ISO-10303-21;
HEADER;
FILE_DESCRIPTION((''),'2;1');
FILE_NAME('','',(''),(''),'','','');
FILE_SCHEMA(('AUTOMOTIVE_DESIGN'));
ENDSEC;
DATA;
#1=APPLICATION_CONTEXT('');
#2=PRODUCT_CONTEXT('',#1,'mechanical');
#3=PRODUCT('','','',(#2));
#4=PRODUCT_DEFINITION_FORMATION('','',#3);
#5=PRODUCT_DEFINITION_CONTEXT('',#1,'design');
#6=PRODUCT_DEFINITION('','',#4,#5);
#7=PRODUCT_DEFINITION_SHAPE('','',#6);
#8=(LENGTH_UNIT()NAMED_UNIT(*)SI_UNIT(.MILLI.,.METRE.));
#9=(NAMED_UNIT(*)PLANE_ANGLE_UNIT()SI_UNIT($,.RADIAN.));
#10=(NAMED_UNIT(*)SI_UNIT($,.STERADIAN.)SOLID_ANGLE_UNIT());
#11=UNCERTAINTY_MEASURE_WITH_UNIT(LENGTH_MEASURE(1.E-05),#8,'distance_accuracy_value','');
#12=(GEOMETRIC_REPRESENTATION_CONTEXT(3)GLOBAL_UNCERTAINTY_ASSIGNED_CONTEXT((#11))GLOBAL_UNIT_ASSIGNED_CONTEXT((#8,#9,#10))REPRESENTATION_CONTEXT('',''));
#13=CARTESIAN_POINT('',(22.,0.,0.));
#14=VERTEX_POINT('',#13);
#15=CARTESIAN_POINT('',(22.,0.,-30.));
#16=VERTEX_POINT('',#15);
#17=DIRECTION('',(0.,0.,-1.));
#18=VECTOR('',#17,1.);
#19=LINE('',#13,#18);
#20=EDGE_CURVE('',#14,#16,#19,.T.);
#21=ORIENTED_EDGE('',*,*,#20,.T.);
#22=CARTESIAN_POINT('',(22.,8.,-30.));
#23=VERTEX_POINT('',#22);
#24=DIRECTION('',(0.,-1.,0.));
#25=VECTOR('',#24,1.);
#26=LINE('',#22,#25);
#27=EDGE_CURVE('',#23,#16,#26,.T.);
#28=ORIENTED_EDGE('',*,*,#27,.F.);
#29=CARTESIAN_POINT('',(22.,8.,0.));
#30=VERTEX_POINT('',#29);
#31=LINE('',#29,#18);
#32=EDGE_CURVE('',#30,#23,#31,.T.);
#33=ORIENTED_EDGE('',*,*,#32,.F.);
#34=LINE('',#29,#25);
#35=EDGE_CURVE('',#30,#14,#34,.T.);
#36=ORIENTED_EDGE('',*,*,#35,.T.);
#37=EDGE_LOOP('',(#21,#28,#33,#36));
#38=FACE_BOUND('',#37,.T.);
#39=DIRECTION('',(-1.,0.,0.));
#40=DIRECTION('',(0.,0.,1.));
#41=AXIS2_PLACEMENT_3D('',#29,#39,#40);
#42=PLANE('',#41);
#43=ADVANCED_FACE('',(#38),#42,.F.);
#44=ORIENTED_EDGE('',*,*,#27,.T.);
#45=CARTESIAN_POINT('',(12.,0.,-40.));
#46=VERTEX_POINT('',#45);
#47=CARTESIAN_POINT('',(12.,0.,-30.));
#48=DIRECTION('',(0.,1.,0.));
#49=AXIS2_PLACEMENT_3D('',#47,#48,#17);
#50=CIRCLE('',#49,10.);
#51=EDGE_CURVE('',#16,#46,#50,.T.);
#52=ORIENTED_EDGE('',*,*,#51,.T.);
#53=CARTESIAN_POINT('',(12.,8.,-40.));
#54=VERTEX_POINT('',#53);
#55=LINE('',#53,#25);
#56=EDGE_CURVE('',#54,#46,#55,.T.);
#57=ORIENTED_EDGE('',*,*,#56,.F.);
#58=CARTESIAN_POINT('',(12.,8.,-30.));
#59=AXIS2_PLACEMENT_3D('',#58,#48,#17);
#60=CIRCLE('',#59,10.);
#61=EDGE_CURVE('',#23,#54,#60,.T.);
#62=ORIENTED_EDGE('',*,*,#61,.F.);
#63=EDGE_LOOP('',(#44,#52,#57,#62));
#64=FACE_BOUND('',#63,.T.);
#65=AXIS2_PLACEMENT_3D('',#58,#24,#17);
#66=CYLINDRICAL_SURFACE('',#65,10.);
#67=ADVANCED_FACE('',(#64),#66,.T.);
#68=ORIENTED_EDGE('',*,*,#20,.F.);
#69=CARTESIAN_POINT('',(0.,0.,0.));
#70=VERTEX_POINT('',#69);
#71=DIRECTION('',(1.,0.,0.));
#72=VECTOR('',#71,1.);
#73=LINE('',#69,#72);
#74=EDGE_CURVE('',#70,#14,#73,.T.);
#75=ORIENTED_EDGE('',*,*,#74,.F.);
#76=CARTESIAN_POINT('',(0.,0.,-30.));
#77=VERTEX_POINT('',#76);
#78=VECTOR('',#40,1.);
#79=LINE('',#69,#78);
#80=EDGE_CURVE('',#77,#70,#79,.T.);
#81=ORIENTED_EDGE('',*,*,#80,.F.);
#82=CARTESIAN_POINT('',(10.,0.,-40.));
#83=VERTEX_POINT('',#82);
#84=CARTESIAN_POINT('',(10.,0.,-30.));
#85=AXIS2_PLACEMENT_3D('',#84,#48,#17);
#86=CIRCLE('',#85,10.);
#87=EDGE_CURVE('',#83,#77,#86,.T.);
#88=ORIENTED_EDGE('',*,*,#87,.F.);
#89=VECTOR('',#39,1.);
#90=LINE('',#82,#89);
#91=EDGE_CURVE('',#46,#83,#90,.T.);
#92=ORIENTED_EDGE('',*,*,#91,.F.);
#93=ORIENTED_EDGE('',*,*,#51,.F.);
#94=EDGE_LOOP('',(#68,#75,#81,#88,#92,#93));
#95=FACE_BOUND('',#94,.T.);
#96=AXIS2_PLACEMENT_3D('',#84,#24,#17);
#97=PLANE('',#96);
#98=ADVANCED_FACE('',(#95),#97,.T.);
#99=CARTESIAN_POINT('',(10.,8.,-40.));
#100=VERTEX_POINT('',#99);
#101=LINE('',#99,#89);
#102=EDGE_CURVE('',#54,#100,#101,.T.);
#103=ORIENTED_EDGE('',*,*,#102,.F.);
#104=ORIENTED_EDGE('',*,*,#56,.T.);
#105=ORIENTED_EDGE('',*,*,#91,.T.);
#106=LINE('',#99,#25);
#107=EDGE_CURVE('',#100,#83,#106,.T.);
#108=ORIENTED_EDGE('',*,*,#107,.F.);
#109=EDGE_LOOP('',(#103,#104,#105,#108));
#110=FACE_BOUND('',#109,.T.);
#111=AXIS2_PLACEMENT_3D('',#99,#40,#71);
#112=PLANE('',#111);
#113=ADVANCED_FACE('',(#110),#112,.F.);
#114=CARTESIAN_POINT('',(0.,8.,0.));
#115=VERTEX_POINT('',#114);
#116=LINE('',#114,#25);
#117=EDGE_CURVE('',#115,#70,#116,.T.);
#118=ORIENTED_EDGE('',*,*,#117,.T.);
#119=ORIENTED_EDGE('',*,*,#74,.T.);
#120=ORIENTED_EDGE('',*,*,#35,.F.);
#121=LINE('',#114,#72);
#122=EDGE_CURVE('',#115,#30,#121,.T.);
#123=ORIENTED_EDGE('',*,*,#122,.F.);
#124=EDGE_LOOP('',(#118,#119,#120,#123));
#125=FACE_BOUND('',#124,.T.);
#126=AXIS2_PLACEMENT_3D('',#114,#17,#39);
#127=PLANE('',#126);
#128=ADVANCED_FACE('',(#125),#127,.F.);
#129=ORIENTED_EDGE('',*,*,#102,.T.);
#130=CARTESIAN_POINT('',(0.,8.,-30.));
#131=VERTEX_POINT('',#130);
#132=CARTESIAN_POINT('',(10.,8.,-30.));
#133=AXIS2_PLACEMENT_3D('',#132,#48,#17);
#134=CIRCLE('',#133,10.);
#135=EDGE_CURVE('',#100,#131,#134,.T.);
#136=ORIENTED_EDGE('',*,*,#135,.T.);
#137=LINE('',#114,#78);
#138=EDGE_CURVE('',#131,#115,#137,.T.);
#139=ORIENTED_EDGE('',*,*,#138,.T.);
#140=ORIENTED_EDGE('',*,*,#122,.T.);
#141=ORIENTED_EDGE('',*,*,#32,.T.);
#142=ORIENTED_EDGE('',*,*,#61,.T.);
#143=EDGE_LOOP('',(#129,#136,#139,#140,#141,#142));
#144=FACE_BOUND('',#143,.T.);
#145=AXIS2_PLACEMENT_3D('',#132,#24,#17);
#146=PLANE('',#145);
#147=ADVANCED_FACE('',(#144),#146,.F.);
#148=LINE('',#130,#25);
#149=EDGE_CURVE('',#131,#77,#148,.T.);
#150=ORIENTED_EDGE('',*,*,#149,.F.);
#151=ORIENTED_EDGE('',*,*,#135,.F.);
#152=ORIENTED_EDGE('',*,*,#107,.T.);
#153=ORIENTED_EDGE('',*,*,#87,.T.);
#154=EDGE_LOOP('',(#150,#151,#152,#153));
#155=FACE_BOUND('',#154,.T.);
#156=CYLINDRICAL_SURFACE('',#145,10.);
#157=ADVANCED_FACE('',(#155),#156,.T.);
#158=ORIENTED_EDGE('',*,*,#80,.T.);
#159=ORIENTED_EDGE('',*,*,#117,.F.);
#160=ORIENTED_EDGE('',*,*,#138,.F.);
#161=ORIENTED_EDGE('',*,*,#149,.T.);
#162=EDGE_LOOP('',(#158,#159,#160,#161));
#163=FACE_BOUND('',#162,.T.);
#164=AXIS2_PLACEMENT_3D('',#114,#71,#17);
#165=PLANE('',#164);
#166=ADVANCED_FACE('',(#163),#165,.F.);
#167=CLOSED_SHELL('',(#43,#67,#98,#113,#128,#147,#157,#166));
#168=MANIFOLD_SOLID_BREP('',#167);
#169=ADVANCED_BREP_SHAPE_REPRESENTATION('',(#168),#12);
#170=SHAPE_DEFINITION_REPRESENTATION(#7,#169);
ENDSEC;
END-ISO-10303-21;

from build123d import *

# Parameters (mm, degrees)
BOSS_EXTRUDE1_DEPTH = 8


with BuildPart() as part:
    # Sketch1 → Boss-Extrude1 (new body)
    with BuildSketch(Plane(origin=(0, 0, 0), x_dir=(1, 0, 0), z_dir=(0, 1, 0))):
        with BuildLine():
            Line((0, 0), (22, 0))
            Line((22, 0), (22, 30))
            ThreePointArc((22, 30), (19.071067812, 37.071067812), (12, 40))
            Line((12, 40), (10, 40))
            ThreePointArc((10, 40), (2.928932188, 37.071067812), (0, 30))
            Line((0, 30), (0, 0))
        make_face()
    extrude(amount=BOSS_EXTRUDE1_DEPTH)


solid = part.part
